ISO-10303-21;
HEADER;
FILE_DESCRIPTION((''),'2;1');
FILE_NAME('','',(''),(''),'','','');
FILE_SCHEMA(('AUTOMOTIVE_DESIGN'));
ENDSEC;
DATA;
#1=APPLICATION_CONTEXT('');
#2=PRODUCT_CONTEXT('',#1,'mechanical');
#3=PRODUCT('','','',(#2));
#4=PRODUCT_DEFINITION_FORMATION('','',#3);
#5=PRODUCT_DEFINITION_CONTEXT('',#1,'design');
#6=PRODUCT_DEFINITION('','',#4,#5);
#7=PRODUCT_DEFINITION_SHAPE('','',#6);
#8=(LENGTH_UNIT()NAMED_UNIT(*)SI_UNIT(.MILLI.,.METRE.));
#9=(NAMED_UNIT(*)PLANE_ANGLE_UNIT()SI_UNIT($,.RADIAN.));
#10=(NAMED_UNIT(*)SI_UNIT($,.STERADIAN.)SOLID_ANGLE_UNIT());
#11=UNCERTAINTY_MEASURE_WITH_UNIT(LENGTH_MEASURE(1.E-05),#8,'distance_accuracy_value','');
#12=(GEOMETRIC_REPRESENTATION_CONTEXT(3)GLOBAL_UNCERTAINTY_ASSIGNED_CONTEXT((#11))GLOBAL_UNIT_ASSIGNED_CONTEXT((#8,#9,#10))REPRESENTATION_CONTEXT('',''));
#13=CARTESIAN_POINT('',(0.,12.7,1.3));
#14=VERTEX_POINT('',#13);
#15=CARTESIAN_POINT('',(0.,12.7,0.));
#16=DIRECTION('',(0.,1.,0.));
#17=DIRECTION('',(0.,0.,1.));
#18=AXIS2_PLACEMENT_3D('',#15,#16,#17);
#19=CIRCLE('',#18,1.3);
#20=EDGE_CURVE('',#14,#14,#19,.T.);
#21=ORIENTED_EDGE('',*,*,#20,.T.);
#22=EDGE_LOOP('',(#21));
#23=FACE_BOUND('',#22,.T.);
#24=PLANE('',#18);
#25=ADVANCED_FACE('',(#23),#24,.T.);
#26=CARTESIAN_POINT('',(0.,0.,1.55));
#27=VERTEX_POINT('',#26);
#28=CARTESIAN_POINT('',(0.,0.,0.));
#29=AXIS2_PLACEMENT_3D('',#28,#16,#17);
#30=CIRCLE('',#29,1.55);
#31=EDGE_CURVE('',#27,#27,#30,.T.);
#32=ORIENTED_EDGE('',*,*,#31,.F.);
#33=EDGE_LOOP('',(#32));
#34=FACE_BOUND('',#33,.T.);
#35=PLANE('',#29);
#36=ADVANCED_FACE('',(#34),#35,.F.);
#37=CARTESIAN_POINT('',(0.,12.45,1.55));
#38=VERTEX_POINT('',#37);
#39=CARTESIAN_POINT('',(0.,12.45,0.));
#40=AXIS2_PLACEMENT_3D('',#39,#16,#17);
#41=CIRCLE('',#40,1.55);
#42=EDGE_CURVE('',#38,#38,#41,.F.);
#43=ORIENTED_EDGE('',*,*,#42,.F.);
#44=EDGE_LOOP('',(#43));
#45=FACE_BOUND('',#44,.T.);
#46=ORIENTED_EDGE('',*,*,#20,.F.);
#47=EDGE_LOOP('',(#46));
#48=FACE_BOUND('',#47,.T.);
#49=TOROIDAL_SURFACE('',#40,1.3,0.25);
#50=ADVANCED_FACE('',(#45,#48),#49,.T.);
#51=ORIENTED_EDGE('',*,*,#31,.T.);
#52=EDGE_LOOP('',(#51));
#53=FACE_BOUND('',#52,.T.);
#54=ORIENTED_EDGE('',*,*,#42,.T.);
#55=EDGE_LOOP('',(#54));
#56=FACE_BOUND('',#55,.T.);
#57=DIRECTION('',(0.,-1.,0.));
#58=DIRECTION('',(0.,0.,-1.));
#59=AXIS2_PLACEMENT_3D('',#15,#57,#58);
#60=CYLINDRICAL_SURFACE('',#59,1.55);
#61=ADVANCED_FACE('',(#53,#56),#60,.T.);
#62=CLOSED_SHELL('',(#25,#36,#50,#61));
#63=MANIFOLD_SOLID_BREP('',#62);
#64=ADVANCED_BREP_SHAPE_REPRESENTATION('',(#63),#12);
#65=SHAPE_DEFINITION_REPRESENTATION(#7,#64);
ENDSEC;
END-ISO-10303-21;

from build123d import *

# Parameters (mm, degrees)
SKETCH1_R           = 1.55
BOSS_EXTRUDE1_DEPTH = 12.7
FILLET1_R           = 0.25


with BuildPart() as part:
    # Sketch1 → Boss-Extrude1 (new body)
    with BuildSketch(Plane(origin=(0, 0, 0), x_dir=(1, 0, 0), z_dir=(0, 1, 0))):
        Circle(SKETCH1_R)
    extrude(amount=BOSS_EXTRUDE1_DEPTH)

    # Fillet1
    fillet1_edges = [part.edges().sort_by_distance(p)[0] for p in [
        (-1.55, 12.7, 0),
    ]]
    fillet(fillet1_edges, radius=FILLET1_R)


solid = part.part
